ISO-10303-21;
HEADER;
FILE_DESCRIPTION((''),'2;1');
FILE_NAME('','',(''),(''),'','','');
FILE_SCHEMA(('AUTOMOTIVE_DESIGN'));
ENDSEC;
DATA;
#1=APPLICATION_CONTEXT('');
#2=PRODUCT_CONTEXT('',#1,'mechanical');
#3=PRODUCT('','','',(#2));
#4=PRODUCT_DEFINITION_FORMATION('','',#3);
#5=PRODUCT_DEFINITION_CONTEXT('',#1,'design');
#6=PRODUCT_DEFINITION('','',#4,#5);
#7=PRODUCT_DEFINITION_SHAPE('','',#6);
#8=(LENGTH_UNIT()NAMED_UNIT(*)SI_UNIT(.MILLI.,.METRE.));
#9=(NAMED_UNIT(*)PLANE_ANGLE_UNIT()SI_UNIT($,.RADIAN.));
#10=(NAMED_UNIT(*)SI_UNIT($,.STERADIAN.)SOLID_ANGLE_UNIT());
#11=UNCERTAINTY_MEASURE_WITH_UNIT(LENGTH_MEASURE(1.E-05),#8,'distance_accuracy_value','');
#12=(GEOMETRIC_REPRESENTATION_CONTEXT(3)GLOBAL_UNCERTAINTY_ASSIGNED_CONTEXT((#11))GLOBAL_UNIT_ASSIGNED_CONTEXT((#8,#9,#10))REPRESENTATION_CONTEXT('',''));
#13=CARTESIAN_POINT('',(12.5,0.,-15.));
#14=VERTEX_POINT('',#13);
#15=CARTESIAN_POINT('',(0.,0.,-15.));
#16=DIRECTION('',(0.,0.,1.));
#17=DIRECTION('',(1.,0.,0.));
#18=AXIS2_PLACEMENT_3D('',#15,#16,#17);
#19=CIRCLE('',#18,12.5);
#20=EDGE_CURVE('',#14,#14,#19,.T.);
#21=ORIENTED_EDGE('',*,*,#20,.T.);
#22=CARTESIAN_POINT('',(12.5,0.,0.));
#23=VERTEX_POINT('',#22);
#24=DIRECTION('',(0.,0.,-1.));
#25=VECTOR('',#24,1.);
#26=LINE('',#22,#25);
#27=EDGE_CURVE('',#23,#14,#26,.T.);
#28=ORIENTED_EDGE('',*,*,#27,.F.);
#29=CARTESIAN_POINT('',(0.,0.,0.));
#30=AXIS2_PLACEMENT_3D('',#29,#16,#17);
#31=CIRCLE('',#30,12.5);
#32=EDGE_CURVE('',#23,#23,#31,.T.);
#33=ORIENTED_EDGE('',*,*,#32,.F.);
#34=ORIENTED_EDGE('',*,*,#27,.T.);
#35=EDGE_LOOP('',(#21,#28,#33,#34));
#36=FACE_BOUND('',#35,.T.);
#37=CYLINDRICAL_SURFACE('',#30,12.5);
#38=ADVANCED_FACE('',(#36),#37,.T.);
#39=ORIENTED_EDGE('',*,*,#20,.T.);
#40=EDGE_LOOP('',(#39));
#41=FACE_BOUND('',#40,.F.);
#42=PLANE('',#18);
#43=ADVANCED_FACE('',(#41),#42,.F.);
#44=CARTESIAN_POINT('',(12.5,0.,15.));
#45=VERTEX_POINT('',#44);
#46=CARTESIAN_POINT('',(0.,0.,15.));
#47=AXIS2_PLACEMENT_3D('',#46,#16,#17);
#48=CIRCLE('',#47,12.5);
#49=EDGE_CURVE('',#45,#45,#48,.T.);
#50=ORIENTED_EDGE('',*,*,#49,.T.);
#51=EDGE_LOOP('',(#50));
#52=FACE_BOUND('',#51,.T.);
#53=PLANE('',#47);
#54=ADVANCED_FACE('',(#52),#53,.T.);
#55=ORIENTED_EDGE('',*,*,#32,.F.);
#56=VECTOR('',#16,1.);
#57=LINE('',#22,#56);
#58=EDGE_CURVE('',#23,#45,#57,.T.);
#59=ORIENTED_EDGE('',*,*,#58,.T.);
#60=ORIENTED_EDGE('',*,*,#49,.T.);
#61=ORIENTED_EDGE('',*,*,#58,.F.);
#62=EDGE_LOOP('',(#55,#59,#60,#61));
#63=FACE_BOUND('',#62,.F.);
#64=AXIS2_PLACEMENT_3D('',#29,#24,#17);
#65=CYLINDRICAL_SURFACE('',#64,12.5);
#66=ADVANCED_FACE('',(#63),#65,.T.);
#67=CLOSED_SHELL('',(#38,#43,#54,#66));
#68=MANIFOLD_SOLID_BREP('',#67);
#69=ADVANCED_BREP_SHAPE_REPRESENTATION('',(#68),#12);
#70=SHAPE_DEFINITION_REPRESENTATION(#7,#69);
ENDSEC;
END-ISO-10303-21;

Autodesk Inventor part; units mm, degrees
ref_plane "YZ Plane" through (0, 0, 0) normal (1, 0, 0) x (0, 1, 0)
ref_plane "XZ Plane" through (0, 0, 0) normal (0, 1, 0) x (-1, 0, 0)
ref_plane "XY Plane" through (0, 0, 0) normal (0, 0, 1) x (1, 0, 0)
sketch "Szkic1" plane through (0, 0, 0) normal (0, 0, 1) x (1, 0, 0)
  circle A0 centre (0, 0) radius 12.5
  dimension "d0" = 25
extrude "Wyciągnięcie proste1" add sketch "Szkic1" along normal mid plane 30
properties part number "sworzeń"
